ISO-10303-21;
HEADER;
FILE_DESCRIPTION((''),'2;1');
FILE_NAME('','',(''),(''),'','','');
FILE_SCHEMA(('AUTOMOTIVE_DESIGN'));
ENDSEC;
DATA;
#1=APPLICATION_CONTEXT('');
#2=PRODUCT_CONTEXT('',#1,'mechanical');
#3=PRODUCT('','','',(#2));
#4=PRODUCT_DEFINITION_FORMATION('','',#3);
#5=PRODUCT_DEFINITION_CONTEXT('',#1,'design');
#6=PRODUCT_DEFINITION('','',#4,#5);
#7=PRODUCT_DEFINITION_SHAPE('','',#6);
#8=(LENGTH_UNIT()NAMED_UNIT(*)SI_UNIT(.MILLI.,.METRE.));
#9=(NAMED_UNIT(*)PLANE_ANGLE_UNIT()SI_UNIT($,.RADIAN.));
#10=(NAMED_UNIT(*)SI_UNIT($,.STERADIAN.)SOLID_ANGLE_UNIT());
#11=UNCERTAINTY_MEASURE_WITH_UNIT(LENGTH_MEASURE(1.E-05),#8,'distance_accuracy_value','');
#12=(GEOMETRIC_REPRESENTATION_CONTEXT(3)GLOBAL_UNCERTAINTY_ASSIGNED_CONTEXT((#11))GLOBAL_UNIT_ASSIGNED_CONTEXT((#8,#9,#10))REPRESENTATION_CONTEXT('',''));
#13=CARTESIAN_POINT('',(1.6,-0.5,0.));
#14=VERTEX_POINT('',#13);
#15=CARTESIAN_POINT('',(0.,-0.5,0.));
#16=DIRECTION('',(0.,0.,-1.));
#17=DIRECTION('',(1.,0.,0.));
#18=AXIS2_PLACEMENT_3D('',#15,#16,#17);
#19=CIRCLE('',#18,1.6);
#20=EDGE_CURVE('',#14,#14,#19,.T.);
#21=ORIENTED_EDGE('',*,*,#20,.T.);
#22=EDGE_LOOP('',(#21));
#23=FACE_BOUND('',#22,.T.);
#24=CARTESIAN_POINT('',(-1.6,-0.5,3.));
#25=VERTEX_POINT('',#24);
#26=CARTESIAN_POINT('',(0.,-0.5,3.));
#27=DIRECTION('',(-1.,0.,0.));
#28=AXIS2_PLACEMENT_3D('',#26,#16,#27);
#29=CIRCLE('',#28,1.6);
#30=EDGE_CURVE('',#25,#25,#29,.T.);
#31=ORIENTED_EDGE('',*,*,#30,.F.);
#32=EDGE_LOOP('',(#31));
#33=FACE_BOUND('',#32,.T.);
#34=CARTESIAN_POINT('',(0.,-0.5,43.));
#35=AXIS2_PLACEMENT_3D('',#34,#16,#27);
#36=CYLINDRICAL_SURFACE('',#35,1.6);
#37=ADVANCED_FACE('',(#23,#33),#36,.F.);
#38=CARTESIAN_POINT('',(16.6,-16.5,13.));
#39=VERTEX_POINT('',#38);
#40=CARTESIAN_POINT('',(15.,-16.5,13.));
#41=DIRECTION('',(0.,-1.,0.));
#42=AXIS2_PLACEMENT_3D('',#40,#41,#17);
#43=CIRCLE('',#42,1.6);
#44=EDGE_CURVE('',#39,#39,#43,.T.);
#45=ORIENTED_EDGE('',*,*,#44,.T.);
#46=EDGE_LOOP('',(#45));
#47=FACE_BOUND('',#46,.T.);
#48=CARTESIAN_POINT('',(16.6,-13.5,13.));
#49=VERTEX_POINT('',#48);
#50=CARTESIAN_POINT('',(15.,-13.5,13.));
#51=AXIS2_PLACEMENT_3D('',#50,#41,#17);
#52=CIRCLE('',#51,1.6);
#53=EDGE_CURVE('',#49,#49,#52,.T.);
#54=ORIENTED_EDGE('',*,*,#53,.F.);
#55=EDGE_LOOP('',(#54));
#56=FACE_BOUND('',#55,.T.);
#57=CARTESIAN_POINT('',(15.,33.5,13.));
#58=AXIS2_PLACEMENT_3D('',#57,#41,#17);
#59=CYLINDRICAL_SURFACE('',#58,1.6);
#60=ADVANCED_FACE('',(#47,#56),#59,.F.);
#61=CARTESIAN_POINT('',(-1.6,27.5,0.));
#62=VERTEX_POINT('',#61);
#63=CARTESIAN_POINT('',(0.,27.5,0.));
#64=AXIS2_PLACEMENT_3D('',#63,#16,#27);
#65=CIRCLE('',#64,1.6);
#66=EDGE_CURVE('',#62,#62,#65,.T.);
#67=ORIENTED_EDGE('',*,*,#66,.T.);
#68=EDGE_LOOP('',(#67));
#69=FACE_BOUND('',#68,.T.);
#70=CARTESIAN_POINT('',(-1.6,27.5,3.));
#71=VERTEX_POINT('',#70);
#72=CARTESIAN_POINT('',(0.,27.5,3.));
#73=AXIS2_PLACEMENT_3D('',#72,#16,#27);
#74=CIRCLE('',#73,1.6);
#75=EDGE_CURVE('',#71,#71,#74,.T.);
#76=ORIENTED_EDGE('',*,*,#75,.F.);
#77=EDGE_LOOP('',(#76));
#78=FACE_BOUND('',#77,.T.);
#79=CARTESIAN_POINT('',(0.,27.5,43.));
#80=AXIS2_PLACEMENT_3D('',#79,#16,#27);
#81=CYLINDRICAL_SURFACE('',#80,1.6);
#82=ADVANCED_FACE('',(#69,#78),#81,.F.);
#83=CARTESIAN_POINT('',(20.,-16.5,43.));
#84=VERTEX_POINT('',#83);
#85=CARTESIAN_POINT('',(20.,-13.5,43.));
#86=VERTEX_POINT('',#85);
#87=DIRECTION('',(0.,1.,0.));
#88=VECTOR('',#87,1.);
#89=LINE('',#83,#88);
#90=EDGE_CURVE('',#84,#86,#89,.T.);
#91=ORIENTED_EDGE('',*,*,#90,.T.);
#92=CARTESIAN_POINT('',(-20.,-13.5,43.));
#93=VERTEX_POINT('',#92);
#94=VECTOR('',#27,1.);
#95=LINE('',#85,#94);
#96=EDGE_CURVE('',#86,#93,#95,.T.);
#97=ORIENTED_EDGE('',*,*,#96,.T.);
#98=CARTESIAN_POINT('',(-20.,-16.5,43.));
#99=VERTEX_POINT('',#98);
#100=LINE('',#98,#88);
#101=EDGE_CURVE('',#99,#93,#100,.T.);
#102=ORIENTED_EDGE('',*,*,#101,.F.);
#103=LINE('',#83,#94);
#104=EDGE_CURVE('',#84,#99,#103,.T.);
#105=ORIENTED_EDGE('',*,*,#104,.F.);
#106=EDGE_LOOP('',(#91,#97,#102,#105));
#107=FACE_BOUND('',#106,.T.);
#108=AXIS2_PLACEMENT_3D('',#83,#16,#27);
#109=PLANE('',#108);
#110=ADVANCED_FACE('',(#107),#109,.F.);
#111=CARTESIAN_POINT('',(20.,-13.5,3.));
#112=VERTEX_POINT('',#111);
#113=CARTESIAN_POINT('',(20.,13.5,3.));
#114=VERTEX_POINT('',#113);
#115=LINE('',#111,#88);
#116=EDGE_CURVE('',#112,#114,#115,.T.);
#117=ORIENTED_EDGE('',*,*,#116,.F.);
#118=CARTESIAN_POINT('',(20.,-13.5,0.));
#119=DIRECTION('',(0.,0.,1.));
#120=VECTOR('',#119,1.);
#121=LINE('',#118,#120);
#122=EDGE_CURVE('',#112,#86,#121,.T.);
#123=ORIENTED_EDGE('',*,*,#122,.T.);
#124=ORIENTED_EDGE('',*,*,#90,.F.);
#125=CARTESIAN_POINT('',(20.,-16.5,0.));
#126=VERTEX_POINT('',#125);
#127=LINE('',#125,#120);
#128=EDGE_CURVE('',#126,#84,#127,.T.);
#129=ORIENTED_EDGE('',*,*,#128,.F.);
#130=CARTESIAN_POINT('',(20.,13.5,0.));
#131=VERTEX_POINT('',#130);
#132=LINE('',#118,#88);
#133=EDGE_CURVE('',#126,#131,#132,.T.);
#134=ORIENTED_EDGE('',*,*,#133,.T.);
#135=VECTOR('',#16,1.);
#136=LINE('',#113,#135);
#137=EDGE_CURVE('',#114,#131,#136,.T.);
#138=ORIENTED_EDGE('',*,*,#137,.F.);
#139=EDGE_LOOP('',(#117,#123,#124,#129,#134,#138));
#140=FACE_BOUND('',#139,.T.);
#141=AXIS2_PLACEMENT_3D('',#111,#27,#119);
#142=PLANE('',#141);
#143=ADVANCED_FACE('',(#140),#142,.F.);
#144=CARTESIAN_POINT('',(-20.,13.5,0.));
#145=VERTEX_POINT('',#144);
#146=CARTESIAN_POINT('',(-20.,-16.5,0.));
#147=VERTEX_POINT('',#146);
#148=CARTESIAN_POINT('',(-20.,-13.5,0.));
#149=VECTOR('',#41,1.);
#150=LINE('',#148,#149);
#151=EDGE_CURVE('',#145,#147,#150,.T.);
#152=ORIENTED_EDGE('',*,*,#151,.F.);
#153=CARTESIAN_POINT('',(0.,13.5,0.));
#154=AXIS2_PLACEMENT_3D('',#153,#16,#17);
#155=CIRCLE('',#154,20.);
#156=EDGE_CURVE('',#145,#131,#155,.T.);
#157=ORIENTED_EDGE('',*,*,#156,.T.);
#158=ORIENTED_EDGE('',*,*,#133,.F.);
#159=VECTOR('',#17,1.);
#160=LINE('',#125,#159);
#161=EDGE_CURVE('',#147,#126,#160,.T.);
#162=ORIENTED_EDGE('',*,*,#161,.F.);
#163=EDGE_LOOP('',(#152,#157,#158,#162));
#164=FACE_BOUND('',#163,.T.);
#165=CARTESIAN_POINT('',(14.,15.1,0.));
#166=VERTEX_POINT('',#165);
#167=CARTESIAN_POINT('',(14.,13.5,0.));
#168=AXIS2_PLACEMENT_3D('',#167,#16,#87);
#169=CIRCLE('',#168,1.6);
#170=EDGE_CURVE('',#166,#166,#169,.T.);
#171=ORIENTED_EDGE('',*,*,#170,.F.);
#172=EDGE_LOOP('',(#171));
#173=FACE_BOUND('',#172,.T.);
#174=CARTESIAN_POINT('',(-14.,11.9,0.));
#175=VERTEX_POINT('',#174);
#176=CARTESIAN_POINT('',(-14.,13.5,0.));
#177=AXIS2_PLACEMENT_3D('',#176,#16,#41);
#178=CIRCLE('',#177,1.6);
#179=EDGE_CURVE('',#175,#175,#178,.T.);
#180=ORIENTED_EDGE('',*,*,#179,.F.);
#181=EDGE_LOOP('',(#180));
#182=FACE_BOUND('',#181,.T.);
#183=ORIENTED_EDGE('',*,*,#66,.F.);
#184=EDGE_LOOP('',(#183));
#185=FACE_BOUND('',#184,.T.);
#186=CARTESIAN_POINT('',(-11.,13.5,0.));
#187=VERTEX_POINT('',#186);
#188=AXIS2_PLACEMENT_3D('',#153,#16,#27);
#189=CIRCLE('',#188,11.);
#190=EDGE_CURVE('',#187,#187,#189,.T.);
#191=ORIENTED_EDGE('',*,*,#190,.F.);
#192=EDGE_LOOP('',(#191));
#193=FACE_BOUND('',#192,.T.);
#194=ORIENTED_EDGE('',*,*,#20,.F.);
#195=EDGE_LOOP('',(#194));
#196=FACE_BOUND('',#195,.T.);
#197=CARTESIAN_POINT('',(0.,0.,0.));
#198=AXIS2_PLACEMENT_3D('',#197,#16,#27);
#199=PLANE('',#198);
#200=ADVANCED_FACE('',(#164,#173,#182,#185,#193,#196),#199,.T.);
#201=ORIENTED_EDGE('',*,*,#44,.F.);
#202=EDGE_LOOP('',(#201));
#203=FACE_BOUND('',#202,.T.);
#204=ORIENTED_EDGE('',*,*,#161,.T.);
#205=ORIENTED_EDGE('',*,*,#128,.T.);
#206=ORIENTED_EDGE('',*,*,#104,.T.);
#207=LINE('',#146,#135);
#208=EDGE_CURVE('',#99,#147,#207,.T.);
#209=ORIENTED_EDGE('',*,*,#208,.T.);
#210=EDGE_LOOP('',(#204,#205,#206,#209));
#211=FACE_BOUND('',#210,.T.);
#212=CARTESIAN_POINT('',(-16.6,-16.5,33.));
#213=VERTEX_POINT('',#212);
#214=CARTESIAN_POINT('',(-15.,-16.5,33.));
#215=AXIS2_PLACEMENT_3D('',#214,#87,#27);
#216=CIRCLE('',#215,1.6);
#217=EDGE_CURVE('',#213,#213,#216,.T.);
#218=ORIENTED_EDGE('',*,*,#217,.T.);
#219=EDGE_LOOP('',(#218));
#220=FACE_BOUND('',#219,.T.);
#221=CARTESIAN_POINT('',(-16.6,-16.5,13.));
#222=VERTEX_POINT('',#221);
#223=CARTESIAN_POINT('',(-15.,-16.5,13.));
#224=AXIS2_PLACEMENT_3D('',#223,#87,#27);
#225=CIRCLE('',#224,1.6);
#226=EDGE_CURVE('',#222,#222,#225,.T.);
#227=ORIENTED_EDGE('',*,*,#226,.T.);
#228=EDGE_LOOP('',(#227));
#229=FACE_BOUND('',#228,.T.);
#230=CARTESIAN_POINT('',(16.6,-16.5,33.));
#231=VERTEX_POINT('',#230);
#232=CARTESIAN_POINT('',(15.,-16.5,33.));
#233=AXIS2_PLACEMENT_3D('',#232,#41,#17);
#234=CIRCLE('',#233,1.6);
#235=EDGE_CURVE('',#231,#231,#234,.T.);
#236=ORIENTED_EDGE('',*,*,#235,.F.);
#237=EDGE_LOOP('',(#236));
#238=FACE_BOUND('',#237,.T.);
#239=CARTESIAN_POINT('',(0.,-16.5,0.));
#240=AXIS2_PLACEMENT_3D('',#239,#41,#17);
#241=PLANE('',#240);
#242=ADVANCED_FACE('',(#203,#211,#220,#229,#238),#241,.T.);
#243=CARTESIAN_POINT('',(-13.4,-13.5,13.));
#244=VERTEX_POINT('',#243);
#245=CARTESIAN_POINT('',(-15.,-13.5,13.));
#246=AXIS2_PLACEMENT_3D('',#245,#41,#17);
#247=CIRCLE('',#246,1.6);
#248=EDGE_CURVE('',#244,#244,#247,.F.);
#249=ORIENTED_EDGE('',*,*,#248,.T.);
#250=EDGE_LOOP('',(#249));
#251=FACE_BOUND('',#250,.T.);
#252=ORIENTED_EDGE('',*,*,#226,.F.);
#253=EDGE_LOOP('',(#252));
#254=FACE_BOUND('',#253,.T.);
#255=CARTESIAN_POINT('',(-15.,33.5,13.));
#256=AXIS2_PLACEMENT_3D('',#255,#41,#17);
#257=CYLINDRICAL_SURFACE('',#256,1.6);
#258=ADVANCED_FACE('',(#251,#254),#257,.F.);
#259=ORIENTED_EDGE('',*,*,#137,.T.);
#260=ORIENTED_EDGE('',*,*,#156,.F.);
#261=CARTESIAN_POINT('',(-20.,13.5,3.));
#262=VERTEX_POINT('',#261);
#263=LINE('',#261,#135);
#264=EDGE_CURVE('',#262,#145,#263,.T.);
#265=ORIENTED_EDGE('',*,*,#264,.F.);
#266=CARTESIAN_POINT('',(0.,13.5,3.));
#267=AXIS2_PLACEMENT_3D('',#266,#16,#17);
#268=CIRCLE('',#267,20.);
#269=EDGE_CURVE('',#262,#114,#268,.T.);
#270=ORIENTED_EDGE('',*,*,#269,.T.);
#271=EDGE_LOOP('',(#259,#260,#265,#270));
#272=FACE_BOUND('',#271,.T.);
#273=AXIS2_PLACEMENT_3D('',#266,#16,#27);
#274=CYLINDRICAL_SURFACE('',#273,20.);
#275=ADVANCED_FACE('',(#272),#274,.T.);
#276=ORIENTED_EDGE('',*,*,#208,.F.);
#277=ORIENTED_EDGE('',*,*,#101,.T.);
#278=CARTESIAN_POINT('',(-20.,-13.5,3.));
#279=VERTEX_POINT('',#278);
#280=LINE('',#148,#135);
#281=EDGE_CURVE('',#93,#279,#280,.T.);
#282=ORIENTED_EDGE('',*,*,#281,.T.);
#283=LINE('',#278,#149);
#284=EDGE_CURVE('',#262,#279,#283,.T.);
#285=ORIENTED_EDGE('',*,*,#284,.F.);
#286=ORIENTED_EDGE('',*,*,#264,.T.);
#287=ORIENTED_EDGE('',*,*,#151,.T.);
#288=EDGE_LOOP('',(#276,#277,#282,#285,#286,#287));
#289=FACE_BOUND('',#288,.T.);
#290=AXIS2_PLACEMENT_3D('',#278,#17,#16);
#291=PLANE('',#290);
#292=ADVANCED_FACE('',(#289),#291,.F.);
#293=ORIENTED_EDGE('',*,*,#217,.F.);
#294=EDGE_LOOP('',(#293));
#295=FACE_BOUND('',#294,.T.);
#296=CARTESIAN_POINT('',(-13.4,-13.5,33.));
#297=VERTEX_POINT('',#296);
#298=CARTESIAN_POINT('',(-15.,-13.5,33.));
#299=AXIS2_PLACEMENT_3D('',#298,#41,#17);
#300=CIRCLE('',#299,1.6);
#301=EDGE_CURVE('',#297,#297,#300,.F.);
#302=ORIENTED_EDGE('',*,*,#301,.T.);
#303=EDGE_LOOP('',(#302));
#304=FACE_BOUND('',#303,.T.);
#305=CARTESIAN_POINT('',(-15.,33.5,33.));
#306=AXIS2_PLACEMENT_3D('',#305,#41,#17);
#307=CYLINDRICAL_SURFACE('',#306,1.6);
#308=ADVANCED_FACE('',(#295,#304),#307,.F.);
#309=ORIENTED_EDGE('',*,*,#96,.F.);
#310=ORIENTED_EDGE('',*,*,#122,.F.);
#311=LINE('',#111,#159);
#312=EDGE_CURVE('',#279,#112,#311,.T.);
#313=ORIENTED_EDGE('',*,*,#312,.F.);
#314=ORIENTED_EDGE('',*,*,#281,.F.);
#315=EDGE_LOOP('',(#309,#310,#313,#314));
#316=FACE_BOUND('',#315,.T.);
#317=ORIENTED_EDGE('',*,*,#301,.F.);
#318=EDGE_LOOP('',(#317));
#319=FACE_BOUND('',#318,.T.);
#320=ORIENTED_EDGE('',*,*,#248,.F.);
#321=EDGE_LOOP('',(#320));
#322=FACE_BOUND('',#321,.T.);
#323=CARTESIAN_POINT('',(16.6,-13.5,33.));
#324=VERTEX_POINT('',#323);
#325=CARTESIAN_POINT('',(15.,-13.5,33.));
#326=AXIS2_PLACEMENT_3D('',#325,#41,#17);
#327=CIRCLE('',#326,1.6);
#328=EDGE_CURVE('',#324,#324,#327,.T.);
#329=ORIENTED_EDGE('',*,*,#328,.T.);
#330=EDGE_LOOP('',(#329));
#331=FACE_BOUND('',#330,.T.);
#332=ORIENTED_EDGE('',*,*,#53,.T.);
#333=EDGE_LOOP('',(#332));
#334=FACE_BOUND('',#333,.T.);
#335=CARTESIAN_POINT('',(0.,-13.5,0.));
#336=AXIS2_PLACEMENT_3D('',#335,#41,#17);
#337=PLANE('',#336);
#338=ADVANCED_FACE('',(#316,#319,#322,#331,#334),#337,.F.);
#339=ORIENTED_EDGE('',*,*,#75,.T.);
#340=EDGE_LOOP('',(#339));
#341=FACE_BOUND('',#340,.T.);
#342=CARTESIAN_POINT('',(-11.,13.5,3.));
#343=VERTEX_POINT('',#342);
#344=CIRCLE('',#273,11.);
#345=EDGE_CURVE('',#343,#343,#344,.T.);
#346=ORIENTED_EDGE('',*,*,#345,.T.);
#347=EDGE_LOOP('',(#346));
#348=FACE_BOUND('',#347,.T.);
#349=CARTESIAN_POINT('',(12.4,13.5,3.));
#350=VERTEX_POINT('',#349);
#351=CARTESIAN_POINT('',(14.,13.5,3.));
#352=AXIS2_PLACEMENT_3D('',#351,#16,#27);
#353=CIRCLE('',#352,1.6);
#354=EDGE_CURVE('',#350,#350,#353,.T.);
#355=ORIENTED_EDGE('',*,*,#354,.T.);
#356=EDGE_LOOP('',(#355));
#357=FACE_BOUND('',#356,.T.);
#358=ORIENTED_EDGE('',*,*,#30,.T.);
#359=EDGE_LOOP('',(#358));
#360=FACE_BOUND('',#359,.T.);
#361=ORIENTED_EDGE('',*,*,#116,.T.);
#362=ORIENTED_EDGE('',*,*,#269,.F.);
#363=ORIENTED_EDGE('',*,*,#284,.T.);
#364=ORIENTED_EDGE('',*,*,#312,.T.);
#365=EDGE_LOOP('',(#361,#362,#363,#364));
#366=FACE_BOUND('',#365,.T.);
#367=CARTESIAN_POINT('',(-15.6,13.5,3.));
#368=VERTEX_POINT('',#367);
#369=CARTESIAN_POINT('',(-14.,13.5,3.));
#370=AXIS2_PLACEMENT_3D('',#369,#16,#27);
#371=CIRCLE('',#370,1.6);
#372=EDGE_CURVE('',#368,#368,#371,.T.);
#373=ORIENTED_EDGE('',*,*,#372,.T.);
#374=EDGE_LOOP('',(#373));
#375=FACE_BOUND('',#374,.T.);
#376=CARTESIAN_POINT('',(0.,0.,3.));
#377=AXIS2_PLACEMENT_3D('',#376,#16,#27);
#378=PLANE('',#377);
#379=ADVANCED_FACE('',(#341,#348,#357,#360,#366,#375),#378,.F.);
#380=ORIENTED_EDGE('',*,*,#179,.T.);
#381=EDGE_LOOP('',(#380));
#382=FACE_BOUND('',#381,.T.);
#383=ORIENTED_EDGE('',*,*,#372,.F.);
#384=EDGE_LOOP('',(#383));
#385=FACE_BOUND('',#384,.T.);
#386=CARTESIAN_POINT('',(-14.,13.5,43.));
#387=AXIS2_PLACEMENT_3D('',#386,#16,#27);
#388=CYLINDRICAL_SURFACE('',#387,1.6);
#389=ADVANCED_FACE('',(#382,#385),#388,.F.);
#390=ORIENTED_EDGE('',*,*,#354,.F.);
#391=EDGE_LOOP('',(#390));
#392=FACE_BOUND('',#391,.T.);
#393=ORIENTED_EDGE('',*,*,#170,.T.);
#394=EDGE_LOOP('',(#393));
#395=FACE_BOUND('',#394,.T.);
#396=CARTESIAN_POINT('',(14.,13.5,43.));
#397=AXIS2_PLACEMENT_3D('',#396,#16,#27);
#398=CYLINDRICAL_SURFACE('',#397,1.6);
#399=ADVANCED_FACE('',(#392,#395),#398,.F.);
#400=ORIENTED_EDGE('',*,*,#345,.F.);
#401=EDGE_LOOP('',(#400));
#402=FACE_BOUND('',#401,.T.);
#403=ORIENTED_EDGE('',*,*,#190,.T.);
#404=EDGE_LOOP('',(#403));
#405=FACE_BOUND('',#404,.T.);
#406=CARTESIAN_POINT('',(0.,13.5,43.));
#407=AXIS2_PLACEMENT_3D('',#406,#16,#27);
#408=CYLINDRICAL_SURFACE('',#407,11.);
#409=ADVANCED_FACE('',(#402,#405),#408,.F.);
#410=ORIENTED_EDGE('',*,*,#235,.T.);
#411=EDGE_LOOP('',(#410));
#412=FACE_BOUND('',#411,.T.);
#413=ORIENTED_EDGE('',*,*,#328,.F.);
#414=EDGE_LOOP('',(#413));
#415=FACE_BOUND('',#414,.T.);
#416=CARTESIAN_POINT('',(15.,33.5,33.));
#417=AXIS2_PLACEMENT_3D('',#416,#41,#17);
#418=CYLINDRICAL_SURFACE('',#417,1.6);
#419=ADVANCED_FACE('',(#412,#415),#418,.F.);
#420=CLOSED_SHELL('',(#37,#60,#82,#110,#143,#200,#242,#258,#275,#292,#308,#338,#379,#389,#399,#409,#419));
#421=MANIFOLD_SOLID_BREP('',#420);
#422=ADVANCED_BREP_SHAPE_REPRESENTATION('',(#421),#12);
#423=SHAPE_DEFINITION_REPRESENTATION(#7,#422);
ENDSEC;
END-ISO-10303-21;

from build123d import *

# Parameters (mm, degrees)
SKETCH_1_W               = 40
SKETCH_1_H               = 27
EXTRUDE_1_DEPTH          = 3
EXTRUDE_2_DEPTH          = 3
SKETCH_3_W               = 40
SKETCH_3_H               = 43
EXTRUDE_3_DEPTH          = 3
SKETCH_5_R               = 11
CUT_EXTRUDE_1_DEPTH      = 59.062466362
SKETCH_6_R               = 1.6
CUT_EXTRUDE_2_DEPTH      = 59.062466362
PATTERN_CIRCULAR_1_COUNT = 4
SKETCH_7_R               = 1.6
CUT_EXTRUDE_3_DEPTH      = 69.912988616
PATTERN_LINEAR_1_COUNT   = 2
PATTERN_LINEAR_1_PITCH   = 20
MIRROR_1_COPY_1_SKETCH_R = 1.6
MIRROR_1_COPY_1_DEPTH    = 69.912988616


with BuildPart() as part:
    # 草图1 → 凸台-拉伸1 (new body)
    with BuildSketch(Plane.XY):
        Rectangle(SKETCH_1_W, SKETCH_1_H)
    extrude(amount=EXTRUDE_1_DEPTH)

    # 草图2 → 凸台-拉伸2 (add)
    with BuildSketch(Plane(origin=(0, 0, 0), x_dir=(-1, 0, 0), z_dir=(0, 0, -1))):
        with BuildLine():
            Line((-20, 13.5), (20, 13.5))
            ThreePointArc((20, 13.5), (0, 33.5), (-20, 13.5))
        make_face()
    extrude(amount=-EXTRUDE_2_DEPTH)

    # 草图3 → 凸台-拉伸3 (add)
    with BuildSketch(Plane.XZ.offset(13.5)):
        with Locations((0, 21.5)):
            Rectangle(SKETCH_3_W, SKETCH_3_H)
    extrude(amount=EXTRUDE_3_DEPTH)

    # 草图5 → 切除-拉伸1 (cut, through all)
    with BuildSketch(Plane(origin=(0, 0, 0), x_dir=(-1, 0, 0), z_dir=(0, 0, -1))):
        with Locations((0, 13.5)):
            Circle(SKETCH_5_R)
    extrude(amount=-CUT_EXTRUDE_1_DEPTH, mode=Mode.SUBTRACT)

    # 草图6 → 切除-拉伸2 (cut, through all)
    with BuildSketch(Plane(origin=(0, 0, 0), x_dir=(-1, 0, 0), z_dir=(0, 0, -1))):
        with Locations((0, 27.5)):
            Circle(SKETCH_6_R)
    cut_extrude_2 = extrude(amount=-CUT_EXTRUDE_2_DEPTH, mode=Mode.SUBTRACT)

    # 阵列(圆周)1: 切除-拉伸2 ×4 about axis
    pattern_circular_1_axis = Axis((0, 13.5, 0), (0, 0, 1))
    for i in range(1, PATTERN_CIRCULAR_1_COUNT):
        add(cut_extrude_2.rotate(pattern_circular_1_axis, i * 360 / PATTERN_CIRCULAR_1_COUNT), mode=Mode.SUBTRACT)

    # 草图7 → 切除-拉伸3 (cut, through all)
    with BuildSketch(Plane.XZ.offset(16.5)):
        with Locations((15, 33)):
            Circle(SKETCH_7_R)
    cut_extrude_3 = extrude(amount=-CUT_EXTRUDE_3_DEPTH, mode=Mode.SUBTRACT)

    # 阵列(线性)1: 切除-拉伸3 ×2
    with Locations(*[(0, 0, -i * PATTERN_LINEAR_1_PITCH) for i in range(1, PATTERN_LINEAR_1_COUNT)]):
        add(cut_extrude_3, mode=Mode.SUBTRACT)

    # 镜向1: 切除-拉伸3 across plane
    add(cut_extrude_3.mirror(Plane(origin=(0, 0, 0), x_dir=(0, 0, 1), z_dir=(1, 0, 0))), mode=Mode.SUBTRACT)

    # 镜向1 copy 1 sketch → 镜向1 copy 1 (cut, through all)
    with BuildSketch(Plane(origin=(0, -16.5, -20), x_dir=(-1, 0, 0), z_dir=(0, -1, 0))):
        with Locations((15, -33)):
            Circle(MIRROR_1_COPY_1_SKETCH_R)
    extrude(amount=-MIRROR_1_COPY_1_DEPTH, mode=Mode.SUBTRACT)


solid = part.part
